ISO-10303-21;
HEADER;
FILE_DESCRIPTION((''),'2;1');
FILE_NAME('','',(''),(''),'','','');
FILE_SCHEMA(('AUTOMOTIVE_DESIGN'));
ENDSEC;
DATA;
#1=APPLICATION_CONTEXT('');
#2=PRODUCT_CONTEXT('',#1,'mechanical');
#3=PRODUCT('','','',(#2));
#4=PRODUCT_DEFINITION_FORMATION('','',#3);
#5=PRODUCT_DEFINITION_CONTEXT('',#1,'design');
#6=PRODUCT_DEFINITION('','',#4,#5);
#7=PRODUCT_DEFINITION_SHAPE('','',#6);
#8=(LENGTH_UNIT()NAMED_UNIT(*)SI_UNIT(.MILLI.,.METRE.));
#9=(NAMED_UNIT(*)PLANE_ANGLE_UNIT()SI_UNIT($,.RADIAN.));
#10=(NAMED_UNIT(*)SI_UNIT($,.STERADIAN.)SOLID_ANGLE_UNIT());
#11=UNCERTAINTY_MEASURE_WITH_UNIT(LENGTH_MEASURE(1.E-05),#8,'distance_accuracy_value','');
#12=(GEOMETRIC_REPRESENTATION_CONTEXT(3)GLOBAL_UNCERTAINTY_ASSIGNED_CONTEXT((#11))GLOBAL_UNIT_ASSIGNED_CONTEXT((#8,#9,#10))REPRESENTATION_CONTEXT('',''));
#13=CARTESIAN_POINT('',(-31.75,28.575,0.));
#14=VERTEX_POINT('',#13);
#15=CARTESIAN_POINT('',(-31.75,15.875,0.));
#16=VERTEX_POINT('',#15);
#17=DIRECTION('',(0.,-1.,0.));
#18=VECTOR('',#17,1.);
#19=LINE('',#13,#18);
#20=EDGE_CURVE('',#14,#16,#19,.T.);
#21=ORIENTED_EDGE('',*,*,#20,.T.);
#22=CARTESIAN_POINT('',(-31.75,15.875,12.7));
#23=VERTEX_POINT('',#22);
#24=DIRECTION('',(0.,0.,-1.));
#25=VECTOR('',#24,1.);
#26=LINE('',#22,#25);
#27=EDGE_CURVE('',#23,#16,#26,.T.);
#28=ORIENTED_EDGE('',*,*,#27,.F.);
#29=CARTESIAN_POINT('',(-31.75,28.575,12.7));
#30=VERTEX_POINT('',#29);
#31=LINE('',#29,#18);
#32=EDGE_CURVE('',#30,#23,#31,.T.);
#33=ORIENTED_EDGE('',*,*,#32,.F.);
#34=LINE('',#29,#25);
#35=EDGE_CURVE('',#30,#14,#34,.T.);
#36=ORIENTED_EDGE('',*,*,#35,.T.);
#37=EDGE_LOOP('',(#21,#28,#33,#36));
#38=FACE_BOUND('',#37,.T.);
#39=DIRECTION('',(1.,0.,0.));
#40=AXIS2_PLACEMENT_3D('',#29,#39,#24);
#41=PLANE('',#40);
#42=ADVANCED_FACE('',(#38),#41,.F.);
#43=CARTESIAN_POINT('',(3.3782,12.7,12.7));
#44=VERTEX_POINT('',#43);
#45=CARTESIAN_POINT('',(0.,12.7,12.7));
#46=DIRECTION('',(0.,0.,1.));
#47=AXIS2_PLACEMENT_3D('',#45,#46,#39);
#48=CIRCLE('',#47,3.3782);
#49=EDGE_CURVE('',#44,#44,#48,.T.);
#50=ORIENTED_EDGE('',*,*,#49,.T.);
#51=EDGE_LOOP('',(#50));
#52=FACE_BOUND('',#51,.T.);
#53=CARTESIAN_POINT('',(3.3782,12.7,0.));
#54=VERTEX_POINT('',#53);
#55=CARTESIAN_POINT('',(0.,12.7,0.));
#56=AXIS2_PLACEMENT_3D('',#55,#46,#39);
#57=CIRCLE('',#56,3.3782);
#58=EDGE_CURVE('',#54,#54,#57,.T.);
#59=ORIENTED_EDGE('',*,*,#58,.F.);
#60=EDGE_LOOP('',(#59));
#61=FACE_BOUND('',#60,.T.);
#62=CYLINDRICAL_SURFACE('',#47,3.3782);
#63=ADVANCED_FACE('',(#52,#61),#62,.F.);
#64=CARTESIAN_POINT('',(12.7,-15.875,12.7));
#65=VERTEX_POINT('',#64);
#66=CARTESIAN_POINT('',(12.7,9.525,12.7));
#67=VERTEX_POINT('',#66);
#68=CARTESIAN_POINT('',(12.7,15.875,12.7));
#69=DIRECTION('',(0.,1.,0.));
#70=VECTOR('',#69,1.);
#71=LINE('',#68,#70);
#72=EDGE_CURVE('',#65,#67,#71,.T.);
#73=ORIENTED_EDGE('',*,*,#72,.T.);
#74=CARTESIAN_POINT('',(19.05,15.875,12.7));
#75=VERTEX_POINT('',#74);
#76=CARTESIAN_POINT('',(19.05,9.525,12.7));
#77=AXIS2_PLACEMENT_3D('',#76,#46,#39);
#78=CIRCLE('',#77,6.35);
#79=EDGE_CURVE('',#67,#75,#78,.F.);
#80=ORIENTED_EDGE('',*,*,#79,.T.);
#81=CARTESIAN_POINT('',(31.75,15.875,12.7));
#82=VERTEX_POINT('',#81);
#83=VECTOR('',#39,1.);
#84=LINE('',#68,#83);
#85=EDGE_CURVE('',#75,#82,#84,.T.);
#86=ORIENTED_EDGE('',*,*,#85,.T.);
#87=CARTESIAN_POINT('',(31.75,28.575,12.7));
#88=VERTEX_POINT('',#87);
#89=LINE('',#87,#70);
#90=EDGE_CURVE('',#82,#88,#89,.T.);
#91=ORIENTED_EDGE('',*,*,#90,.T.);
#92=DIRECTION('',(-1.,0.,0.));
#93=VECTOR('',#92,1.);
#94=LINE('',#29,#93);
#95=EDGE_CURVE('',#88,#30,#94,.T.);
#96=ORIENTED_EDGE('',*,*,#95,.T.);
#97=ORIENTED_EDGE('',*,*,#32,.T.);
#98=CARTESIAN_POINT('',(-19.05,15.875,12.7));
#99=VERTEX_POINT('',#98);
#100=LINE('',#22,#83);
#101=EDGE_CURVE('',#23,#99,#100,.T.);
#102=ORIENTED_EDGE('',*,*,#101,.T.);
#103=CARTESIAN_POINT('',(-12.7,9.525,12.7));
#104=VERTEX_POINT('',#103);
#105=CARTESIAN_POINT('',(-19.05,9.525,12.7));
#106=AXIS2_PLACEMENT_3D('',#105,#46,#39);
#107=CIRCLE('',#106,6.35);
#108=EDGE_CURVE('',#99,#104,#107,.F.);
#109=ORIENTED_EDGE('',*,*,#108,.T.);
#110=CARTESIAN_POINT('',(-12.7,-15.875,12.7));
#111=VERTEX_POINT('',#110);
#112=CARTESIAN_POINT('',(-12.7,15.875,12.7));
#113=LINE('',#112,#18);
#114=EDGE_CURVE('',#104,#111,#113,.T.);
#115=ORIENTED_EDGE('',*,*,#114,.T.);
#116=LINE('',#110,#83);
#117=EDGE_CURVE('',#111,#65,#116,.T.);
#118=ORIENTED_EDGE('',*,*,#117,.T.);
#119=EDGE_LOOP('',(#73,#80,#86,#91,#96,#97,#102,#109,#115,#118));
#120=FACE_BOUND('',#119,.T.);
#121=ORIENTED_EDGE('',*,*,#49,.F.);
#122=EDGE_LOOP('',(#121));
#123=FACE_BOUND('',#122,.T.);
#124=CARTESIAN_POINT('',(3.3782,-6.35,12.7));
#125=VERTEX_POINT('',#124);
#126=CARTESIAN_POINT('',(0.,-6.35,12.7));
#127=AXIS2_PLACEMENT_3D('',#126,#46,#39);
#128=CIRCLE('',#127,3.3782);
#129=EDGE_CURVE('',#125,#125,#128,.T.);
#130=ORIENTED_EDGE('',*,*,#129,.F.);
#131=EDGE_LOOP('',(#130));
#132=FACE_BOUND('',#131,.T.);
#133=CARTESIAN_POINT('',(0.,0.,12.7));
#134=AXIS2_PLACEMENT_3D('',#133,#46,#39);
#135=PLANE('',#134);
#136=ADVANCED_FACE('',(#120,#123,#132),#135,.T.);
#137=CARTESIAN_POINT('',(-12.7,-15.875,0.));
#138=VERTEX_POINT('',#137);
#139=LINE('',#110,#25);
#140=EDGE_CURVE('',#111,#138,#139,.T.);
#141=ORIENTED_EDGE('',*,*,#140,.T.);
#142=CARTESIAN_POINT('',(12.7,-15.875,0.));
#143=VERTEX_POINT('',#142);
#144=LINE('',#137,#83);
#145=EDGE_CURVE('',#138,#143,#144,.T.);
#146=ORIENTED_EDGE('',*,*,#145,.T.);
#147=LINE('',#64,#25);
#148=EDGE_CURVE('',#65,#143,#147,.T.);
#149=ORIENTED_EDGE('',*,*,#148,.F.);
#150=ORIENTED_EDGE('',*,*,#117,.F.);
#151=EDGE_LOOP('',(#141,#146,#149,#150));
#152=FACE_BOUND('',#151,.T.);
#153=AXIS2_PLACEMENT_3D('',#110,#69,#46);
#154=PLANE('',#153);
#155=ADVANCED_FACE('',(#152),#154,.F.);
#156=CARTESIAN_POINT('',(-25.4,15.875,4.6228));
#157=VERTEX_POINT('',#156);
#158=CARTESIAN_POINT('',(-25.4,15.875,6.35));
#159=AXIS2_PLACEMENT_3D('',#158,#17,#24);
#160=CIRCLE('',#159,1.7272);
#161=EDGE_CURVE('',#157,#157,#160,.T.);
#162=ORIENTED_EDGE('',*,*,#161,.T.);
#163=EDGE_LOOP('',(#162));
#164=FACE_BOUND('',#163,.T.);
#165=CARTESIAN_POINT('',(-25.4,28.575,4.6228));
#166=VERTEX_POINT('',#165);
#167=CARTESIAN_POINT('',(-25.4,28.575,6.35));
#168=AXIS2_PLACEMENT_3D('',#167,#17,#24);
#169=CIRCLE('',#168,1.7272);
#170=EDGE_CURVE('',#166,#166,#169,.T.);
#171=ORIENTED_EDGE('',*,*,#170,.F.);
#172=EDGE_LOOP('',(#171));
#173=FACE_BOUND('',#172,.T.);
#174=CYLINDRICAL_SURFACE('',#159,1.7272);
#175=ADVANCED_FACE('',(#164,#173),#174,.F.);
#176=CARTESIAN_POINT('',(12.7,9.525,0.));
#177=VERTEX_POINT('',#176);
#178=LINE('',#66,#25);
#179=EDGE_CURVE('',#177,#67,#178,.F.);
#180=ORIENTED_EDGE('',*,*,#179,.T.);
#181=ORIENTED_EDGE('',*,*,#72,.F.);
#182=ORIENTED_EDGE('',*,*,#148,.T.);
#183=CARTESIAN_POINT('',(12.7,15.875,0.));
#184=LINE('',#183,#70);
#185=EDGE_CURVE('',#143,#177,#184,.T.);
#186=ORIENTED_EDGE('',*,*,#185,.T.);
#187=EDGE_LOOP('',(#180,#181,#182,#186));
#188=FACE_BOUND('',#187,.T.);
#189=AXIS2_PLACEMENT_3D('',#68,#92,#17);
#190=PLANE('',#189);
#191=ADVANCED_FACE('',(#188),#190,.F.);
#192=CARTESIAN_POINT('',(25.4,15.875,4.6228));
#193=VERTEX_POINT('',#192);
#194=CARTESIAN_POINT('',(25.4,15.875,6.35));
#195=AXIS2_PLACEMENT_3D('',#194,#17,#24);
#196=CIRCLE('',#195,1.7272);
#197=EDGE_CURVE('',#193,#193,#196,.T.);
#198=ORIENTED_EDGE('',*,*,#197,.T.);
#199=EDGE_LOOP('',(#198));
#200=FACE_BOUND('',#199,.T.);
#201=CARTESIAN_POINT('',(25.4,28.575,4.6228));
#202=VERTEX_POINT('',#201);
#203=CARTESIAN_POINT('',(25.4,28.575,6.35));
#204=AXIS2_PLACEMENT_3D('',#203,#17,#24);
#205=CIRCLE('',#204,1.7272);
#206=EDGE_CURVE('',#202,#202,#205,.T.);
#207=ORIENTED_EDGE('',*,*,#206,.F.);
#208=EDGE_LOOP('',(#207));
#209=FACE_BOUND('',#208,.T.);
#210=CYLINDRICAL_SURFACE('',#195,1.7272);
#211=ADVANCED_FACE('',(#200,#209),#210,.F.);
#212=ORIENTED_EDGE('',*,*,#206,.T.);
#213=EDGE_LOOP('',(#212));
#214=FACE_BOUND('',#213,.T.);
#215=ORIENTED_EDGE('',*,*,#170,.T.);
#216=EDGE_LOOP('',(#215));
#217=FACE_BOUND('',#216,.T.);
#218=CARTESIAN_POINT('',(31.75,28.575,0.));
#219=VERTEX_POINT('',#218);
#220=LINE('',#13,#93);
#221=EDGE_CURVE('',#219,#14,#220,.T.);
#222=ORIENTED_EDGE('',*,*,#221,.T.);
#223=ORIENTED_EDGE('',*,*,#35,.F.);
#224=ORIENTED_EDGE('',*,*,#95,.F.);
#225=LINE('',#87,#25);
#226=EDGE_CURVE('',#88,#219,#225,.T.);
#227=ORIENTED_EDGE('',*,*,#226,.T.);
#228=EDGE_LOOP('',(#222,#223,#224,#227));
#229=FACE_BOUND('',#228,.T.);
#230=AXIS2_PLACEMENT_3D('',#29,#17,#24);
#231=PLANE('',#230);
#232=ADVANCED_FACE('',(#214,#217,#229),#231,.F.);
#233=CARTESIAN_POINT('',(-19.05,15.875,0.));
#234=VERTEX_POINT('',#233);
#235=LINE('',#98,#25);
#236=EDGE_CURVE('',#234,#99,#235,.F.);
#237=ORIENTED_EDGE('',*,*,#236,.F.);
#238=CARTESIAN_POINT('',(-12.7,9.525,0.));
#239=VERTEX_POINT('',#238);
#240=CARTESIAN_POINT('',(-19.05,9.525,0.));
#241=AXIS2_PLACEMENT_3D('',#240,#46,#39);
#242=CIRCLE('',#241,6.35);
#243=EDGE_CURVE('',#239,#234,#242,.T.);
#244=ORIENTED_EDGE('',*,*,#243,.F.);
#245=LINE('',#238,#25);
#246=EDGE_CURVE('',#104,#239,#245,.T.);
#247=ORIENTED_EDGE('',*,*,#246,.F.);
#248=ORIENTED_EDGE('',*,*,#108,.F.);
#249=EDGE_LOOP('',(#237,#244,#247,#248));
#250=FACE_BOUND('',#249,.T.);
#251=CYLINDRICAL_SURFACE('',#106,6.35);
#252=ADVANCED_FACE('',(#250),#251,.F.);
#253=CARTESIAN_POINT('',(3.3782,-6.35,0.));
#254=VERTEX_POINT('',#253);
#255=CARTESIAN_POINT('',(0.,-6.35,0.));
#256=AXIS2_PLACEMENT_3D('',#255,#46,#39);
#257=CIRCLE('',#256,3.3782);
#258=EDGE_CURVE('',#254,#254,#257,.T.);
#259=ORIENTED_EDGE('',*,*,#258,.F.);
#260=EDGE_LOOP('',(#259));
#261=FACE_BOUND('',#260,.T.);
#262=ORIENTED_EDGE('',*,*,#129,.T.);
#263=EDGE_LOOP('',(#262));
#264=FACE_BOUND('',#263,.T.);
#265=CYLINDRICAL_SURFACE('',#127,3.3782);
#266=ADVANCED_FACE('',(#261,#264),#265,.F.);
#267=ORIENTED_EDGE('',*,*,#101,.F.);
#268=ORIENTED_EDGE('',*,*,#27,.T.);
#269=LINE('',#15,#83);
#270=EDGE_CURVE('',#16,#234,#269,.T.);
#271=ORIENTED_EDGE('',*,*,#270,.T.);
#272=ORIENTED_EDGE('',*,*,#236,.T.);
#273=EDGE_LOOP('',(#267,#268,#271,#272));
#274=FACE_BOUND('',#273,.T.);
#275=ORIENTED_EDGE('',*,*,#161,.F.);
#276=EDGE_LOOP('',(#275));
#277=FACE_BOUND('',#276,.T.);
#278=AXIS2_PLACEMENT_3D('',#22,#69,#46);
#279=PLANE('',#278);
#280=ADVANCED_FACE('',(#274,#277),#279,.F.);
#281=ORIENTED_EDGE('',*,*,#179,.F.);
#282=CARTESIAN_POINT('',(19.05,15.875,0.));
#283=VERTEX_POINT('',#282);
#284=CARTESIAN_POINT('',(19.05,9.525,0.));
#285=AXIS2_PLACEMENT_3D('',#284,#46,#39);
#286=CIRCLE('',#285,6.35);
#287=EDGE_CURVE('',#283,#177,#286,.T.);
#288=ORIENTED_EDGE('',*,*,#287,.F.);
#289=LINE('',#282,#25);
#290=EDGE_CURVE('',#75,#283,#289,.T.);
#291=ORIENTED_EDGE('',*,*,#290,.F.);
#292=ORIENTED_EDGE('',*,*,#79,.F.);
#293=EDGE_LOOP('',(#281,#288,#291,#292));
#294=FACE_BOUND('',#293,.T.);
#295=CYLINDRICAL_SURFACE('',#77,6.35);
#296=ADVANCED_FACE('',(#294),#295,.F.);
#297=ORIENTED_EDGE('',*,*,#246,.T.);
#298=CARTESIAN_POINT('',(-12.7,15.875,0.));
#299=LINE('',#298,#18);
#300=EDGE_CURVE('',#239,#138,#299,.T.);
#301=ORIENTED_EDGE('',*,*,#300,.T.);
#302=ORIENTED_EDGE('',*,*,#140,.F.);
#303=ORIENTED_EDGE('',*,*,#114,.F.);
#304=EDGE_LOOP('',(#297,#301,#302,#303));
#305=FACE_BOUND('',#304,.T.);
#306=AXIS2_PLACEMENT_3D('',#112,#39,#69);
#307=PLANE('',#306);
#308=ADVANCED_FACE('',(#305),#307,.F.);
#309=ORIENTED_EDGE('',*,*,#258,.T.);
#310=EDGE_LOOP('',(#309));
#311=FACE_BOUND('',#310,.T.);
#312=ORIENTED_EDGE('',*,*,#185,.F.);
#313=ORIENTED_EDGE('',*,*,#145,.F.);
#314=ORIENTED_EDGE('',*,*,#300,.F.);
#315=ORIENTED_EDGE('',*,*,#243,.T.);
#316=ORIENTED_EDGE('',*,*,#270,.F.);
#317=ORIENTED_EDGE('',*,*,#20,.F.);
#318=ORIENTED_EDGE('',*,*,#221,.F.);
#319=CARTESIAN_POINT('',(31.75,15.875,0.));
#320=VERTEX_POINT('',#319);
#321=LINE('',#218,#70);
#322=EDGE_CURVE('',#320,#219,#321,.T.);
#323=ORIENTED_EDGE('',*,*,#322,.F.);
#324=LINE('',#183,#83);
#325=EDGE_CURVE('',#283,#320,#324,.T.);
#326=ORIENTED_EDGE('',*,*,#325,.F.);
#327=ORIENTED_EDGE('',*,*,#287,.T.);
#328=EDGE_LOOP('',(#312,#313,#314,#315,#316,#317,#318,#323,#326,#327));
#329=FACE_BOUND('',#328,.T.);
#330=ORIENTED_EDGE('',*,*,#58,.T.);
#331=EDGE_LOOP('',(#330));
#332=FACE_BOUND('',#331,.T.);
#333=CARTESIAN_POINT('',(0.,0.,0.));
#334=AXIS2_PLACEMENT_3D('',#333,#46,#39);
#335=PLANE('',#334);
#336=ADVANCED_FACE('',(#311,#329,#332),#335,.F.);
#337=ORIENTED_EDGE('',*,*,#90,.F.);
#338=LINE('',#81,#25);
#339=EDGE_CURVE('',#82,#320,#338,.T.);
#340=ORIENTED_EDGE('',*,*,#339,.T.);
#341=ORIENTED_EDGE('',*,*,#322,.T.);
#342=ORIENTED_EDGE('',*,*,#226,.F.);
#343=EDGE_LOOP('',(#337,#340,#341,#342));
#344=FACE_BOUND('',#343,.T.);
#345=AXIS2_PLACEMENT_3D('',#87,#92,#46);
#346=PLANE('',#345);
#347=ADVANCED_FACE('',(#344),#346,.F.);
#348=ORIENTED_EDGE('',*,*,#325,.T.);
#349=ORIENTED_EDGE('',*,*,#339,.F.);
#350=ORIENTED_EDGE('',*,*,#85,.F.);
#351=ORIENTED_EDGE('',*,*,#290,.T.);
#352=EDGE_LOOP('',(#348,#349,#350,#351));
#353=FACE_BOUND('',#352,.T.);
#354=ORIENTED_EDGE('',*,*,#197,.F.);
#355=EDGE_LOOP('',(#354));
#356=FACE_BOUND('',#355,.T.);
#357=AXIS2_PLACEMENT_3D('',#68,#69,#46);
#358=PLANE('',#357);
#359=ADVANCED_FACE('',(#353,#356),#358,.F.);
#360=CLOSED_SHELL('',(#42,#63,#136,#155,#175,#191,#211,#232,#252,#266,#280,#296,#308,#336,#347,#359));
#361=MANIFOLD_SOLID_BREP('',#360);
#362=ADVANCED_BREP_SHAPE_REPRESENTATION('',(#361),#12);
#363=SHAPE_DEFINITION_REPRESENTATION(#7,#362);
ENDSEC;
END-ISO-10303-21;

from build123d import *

# Parameters (mm, degrees)
BOSS_EXTRUDE1_DEPTH       = 12.7
FILLET1_R                 = 6.35
F_1_4_CLEARANCE_HOLE1_D   = 6.7564
TAP_DRILL_FOR_8_32_TAP1_D = 3.4544


with BuildPart() as part:
    # Sketch1 → Boss-Extrude1 (new body)
    with BuildSketch(Plane.XY):
        Polygon((12.7, 15.875), (31.75, 15.875), (31.75, 28.575), (-31.75, 28.575), (-31.75, 15.875), (-12.7, 15.875), (-12.7, -15.875), (12.7, -15.875), align=None)
    extrude(amount=BOSS_EXTRUDE1_DEPTH)

    # Fillet1
    fillet1_edges = [part.edges().sort_by_distance(p)[0] for p in [
        (-12.7, 15.875, 6.35),
        (12.7, 15.875, 6.35),
    ]]
    fillet(fillet1_edges, radius=FILLET1_R)

    # 1/4 Clearance Hole1 (through all)
    with Locations(Plane.XY.offset(12.7)):
        with Locations((0, -6.35), (0, 12.7)):
            Hole(F_1_4_CLEARANCE_HOLE1_D / 2)

    # Tap Drill for #8-32 Tap1 (through all)
    with Locations(Plane(origin=(0, 15.875, 0), x_dir=(-1, 0, 0), z_dir=(0, -1, 0))):
        with Locations((-25.4, -6.35), (25.4, -6.35)):
            Hole(TAP_DRILL_FOR_8_32_TAP1_D / 2)


solid = part.part
